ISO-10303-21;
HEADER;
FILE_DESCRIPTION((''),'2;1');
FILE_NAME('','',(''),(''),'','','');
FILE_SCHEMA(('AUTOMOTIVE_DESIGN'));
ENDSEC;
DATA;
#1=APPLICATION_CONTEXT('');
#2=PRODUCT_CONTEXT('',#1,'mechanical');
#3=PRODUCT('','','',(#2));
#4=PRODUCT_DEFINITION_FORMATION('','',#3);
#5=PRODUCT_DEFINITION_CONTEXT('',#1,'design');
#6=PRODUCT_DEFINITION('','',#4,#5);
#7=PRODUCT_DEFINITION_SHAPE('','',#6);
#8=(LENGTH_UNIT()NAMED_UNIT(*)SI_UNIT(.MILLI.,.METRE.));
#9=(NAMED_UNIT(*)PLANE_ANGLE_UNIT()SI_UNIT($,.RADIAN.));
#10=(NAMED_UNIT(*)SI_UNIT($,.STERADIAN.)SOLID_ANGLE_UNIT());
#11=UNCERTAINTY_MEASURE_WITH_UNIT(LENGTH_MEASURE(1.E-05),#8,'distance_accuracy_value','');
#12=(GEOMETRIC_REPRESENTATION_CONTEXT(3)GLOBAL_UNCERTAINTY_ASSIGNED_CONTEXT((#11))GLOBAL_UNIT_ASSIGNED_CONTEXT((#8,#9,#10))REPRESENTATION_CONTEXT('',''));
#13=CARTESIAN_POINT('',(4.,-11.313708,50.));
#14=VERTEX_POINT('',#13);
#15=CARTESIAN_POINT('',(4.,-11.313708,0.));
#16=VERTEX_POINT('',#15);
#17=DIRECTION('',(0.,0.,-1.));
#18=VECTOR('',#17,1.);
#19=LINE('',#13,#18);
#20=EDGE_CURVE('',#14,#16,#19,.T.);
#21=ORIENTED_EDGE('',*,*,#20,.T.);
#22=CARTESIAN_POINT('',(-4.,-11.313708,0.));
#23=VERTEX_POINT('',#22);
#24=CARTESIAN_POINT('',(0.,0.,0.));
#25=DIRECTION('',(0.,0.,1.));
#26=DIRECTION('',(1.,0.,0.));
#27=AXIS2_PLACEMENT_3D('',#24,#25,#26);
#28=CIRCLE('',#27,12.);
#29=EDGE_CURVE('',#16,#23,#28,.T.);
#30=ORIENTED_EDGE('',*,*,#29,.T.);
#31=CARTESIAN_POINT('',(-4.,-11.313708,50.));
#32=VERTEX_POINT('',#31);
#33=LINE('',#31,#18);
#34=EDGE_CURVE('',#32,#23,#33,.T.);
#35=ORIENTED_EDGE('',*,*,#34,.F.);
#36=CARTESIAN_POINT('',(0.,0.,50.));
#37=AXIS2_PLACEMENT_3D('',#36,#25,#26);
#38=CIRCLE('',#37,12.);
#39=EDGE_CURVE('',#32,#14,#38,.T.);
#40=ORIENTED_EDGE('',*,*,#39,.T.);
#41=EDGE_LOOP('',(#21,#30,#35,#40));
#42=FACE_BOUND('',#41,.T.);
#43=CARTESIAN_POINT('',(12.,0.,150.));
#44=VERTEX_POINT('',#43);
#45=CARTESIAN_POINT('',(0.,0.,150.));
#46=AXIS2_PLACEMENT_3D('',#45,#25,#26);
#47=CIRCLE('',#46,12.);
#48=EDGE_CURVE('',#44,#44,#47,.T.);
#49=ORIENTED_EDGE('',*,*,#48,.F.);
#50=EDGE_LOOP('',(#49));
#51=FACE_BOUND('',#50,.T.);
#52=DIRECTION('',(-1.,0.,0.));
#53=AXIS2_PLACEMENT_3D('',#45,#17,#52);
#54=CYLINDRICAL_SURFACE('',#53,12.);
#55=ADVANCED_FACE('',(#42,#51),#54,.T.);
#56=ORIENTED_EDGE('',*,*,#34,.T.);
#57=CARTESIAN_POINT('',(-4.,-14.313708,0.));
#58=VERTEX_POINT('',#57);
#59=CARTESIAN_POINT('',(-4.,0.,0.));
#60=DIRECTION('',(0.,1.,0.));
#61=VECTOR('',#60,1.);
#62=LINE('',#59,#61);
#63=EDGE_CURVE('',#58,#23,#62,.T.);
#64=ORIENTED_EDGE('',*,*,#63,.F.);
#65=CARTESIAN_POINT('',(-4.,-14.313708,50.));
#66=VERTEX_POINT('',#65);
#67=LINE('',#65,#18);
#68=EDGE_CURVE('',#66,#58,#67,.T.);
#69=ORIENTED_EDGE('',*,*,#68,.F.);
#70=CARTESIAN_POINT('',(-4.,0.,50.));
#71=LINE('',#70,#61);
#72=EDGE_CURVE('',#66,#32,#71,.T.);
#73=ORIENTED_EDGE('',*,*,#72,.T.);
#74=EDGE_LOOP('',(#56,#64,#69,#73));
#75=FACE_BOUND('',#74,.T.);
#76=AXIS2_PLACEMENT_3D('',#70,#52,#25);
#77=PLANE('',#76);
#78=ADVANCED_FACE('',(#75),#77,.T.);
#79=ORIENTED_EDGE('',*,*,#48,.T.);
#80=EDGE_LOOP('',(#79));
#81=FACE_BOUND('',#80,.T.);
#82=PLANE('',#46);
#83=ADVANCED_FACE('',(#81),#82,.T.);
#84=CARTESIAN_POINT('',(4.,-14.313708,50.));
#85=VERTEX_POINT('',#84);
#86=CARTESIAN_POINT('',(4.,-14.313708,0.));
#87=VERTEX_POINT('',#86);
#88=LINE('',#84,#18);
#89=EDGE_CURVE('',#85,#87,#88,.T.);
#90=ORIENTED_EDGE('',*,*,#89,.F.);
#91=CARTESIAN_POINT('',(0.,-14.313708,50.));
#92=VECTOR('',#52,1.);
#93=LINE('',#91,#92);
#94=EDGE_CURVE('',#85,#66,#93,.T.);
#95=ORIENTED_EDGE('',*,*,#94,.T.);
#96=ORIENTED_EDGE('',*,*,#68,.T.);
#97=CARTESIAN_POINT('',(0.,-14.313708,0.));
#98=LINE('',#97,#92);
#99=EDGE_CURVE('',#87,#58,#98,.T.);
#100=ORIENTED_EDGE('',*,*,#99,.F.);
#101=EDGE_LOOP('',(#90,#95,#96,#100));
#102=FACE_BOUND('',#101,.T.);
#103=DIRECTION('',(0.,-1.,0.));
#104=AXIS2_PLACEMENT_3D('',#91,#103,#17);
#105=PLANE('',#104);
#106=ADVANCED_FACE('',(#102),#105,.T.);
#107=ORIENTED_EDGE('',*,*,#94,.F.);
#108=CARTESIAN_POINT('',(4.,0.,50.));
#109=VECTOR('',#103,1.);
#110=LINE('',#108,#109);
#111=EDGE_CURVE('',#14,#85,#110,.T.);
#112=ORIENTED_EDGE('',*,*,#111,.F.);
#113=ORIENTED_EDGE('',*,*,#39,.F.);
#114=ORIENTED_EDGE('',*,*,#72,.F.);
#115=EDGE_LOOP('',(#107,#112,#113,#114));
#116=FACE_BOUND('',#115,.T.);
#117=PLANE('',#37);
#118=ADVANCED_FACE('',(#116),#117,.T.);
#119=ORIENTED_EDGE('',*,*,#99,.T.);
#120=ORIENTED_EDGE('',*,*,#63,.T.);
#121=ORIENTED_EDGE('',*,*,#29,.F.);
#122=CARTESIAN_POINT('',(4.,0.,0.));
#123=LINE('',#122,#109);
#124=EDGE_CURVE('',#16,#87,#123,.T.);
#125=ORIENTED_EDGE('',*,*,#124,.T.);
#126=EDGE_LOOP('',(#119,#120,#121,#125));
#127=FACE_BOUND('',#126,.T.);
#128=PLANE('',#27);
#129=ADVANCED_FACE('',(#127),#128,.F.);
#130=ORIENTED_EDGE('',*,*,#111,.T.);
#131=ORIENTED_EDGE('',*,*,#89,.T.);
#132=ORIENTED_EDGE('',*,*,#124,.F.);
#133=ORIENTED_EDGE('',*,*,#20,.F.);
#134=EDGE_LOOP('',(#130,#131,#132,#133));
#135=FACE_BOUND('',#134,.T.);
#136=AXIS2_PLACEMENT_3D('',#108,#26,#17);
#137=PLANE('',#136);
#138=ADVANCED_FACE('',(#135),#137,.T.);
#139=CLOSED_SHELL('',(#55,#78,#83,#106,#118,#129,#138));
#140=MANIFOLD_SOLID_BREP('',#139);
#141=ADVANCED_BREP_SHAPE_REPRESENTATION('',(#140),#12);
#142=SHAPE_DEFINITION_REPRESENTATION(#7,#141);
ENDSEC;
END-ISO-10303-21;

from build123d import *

# Parameters (mm, degrees)
RESSALTO_EXTRUS_O4_DEPTH = 50
RESSALTO_EXTRUS_O5_DEPTH = 150


with BuildPart() as part:
    # Esboço2 → Ressalto-extrusão4 (new body)
    with BuildSketch(Plane.XY):
        with BuildLine():
            Line((4, -14.313708499), (4, -11.313708499))
            ThreePointArc((4, -11.313708499), (0, -12), (-4, -11.313708499))
            Line((-4, -11.313708499), (-4, -14.313708499))
            Line((-4, -14.313708499), (4, -14.313708499))
        make_face()
    extrude(amount=RESSALTO_EXTRUS_O4_DEPTH)

    # Esboço2<3> → Ressalto-extrusão5 (add)
    with BuildSketch(Plane.XY):
        with BuildLine():
            ThreePointArc((-4, -11.313708499), (0, -12), (4, -11.313708499))
            ThreePointArc((4, -11.313708499), (9.797958971, -6.92820323), (12, 0))
            ThreePointArc((12, 0), (-6.92820323, 9.797958971), (-4, -11.313708499))
        make_face()
    extrude(amount=RESSALTO_EXTRUS_O5_DEPTH)


solid = part.part
